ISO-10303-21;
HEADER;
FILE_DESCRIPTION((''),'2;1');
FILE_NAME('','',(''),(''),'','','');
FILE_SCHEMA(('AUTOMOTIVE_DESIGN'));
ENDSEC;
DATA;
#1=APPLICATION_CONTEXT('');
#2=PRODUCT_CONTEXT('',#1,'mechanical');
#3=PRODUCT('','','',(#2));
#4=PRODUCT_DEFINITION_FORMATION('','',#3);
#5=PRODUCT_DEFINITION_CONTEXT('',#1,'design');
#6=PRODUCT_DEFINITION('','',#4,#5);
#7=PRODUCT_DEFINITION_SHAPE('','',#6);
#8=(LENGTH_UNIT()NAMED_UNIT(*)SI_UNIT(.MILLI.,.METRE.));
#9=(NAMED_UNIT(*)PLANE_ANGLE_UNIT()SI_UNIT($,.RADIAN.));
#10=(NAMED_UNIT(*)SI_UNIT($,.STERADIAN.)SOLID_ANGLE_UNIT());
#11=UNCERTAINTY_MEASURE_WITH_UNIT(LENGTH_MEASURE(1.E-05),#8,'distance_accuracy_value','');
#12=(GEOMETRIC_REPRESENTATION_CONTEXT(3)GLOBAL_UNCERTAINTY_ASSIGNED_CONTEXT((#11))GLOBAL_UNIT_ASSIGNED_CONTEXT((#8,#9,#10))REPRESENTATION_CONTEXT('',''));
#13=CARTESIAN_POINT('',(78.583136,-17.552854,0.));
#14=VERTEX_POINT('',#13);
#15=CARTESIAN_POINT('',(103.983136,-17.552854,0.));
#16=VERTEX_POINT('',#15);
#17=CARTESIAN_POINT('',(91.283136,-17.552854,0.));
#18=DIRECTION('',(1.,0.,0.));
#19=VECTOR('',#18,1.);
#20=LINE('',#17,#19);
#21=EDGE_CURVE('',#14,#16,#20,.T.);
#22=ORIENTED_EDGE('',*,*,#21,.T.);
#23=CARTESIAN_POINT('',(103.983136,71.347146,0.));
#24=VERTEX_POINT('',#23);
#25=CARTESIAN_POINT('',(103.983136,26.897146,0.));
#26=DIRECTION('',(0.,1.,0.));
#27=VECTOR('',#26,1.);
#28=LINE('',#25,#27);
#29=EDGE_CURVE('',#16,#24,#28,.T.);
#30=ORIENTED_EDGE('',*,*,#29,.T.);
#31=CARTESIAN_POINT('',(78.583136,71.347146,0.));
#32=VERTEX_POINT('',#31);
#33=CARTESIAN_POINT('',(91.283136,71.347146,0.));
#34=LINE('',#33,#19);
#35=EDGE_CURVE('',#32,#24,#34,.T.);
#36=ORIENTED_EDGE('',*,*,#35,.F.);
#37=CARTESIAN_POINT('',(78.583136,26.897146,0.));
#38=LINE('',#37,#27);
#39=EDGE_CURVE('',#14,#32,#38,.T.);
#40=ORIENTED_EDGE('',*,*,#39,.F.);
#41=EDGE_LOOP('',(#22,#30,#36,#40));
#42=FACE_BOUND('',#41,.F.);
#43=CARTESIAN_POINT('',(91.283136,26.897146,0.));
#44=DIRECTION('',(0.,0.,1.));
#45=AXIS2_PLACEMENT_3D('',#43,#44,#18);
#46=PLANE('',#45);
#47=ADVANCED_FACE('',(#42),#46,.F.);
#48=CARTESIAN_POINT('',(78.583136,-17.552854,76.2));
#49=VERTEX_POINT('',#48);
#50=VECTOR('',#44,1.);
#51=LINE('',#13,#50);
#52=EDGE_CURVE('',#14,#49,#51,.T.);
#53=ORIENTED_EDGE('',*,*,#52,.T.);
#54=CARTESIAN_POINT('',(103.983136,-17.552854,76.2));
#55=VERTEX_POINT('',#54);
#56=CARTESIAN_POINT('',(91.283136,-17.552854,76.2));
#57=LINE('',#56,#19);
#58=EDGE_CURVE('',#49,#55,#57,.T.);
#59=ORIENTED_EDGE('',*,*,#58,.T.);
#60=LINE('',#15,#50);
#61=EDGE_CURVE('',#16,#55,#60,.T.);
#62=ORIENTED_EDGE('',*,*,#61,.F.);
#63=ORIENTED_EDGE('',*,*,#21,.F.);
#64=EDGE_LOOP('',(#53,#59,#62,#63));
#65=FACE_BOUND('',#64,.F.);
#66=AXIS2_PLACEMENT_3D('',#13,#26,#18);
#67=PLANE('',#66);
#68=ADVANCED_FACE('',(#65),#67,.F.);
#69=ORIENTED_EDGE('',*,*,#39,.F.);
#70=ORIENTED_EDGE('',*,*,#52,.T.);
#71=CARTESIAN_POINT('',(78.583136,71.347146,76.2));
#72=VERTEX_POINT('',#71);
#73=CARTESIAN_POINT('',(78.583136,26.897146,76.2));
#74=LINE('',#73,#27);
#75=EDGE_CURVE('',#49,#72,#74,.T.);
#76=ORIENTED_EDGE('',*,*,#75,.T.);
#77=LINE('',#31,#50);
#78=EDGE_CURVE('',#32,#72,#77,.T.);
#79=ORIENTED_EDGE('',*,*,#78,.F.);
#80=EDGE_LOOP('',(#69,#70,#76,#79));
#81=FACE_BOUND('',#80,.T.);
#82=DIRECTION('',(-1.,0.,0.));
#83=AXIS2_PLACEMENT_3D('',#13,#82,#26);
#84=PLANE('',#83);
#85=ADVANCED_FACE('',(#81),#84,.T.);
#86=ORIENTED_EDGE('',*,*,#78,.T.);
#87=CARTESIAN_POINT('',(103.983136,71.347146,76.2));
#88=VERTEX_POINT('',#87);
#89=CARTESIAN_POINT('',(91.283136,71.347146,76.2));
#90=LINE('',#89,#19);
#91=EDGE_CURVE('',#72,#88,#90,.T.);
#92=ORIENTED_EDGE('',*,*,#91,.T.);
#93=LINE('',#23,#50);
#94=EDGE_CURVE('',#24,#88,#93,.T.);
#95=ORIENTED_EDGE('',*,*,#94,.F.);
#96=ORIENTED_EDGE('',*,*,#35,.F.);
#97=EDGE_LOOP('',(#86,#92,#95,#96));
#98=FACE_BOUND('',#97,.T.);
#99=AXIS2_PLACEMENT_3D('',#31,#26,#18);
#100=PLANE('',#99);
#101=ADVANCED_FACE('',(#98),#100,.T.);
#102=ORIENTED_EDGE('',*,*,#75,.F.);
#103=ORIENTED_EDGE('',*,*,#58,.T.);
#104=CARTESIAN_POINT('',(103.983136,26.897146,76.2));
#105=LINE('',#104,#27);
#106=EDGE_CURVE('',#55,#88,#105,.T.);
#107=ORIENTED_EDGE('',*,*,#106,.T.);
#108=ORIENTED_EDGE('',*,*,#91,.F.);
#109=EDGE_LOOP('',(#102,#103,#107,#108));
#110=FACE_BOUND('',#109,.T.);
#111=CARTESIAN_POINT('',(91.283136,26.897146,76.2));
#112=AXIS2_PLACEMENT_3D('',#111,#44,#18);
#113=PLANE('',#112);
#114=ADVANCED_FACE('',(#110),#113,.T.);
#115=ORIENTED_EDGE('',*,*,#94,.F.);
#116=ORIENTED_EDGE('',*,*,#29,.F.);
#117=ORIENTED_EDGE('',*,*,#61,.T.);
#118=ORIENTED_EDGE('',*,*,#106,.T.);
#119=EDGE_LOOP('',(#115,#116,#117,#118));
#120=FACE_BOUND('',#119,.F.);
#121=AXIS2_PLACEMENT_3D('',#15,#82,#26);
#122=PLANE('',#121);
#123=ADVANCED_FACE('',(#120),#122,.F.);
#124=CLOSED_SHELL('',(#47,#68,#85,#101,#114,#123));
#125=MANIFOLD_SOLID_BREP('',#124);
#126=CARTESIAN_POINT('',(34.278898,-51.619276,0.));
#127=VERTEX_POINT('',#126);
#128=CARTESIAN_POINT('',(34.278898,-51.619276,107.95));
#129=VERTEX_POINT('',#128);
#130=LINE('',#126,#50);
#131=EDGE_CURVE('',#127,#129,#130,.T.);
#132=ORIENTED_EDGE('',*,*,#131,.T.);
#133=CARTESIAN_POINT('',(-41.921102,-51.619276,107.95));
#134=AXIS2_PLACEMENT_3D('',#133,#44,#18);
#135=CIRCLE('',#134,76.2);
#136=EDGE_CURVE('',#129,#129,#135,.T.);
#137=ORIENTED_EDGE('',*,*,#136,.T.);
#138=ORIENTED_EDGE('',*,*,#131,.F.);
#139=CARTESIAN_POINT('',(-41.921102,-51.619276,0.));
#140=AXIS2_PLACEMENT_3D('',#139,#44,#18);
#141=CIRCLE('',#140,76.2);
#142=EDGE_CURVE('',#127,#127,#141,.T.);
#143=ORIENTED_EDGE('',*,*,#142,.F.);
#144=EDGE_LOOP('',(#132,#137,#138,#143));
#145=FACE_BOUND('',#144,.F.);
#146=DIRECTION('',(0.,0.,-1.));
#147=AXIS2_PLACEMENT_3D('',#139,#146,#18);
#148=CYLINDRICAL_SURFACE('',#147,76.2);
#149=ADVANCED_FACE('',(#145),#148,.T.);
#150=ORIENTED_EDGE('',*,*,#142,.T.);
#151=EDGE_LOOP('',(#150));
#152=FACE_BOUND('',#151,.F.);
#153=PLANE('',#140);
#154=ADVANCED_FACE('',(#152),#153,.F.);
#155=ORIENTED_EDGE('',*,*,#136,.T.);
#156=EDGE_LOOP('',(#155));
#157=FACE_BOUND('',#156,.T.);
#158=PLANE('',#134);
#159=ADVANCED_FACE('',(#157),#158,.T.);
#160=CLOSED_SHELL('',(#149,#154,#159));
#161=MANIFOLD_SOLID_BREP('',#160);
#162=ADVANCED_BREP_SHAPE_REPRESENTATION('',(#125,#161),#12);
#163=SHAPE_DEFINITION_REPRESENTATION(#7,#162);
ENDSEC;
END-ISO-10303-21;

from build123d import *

# Parameters (mm, degrees)
F0_R     = 76.2
F1_DEPTH = 107.95
F2_W     = 25.4
F2_H     = 88.9
F3_DEPTH = 76.2


with BuildPart() as f1:
    # F0 (on Top) → F1 (new body)
    with BuildSketch(Plane.XY):
        with Locations((-41.921102, -51.619276)):
            Circle(F0_R)
    extrude(amount=F1_DEPTH)


with BuildPart() as f3:
    # F2 (on Top) → F3 (new body)
    with BuildSketch(Plane.XY):
        with Locations((91.283136, 26.897146)):
            Rectangle(F2_W, F2_H)
    extrude(amount=F3_DEPTH)


solid = Compound([f1.part, f3.part])
